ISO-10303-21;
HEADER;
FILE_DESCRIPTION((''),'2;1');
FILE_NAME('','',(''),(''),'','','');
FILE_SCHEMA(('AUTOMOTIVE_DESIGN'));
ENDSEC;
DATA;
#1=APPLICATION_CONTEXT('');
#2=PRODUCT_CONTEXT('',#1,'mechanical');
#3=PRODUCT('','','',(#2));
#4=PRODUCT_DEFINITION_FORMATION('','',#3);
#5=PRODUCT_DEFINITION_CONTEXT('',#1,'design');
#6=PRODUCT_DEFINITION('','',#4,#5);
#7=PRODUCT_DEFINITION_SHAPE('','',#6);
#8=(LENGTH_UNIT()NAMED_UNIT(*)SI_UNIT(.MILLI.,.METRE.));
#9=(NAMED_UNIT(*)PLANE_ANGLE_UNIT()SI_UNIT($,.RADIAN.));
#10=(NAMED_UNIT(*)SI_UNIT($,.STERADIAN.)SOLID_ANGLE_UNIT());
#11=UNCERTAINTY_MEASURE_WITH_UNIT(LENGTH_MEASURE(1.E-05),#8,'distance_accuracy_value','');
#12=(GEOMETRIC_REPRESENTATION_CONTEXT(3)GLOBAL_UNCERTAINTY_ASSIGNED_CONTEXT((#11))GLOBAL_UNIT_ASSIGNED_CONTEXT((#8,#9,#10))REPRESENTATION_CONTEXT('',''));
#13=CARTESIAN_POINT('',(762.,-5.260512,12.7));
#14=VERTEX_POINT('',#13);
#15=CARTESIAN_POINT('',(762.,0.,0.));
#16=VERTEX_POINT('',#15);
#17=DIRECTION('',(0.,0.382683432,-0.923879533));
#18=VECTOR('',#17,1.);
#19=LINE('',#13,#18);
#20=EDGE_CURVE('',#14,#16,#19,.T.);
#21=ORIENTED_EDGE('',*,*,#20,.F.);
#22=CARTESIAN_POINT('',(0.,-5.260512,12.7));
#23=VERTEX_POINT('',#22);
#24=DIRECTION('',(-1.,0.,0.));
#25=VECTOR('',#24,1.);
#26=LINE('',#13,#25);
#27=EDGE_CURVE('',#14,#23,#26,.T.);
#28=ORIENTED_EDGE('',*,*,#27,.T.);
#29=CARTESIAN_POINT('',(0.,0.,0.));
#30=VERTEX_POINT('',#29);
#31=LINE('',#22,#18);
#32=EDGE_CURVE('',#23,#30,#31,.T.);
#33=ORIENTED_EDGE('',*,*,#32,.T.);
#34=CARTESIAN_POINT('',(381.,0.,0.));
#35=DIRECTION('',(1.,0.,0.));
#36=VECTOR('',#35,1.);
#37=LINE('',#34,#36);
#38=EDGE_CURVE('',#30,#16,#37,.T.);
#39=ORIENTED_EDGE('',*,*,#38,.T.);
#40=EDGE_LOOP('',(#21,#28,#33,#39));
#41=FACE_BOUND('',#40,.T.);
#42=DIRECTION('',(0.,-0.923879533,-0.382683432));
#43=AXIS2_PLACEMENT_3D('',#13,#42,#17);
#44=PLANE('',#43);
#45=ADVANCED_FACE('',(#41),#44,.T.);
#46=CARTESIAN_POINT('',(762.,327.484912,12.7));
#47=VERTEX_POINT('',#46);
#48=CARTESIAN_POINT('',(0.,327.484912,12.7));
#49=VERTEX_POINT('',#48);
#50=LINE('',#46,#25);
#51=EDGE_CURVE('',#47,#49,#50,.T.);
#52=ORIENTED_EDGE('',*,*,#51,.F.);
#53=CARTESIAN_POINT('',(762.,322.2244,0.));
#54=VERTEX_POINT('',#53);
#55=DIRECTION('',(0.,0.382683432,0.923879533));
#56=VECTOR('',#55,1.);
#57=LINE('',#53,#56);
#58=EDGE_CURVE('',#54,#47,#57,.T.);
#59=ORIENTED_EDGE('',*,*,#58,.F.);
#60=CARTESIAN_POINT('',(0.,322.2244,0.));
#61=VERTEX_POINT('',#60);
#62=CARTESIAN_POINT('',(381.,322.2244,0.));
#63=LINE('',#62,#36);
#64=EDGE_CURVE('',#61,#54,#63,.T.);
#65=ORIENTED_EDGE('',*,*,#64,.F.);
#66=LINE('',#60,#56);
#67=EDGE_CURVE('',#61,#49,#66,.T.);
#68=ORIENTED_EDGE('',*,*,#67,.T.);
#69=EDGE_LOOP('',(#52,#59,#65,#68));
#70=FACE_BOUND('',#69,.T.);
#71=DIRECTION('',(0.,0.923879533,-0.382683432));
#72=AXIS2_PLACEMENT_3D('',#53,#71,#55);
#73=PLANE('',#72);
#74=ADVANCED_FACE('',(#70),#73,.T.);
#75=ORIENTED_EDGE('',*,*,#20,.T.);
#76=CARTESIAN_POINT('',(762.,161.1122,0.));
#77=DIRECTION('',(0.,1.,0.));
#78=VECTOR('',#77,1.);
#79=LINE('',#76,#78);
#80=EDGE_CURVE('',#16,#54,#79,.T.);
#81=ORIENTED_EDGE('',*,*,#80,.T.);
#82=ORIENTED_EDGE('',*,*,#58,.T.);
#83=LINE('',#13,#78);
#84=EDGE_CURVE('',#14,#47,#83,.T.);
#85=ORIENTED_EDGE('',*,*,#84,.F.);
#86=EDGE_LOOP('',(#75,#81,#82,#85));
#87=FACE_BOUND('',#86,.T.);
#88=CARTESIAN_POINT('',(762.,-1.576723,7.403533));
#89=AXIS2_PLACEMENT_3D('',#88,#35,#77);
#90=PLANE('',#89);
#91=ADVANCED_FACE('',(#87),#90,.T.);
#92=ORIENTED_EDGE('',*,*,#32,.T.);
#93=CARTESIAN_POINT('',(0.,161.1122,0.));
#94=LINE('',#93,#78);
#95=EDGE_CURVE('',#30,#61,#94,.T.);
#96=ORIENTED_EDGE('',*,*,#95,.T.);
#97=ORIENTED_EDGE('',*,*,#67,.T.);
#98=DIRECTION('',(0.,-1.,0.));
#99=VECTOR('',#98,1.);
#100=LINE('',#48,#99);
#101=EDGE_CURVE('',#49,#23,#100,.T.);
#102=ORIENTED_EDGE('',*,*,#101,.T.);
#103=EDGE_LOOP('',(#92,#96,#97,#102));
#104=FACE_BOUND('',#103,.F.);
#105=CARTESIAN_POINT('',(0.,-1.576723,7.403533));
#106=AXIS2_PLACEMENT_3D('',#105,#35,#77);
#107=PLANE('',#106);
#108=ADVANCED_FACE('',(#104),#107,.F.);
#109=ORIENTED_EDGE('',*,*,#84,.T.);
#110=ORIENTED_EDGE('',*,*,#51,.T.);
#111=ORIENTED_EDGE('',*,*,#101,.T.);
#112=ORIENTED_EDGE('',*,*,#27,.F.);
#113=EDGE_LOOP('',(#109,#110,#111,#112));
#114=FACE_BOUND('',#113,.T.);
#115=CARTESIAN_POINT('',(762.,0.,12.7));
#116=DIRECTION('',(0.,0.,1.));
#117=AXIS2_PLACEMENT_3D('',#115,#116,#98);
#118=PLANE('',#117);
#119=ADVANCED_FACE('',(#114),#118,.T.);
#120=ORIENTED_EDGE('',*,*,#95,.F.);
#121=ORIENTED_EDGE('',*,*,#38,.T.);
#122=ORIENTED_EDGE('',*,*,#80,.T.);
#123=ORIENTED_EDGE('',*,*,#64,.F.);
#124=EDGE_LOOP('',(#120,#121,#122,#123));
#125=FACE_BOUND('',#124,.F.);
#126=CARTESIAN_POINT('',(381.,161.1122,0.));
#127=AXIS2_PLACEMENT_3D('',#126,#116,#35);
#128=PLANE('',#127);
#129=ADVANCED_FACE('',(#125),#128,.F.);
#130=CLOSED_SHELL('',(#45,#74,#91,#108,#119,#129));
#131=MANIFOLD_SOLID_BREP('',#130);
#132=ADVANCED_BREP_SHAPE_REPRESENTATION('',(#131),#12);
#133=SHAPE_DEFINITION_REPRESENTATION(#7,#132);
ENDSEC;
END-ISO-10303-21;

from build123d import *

# Parameters (mm, degrees)
F0_W     = 762
F0_H     = 322.2244
F1_DEPTH = 12.7
F3_DEPTH = 762


with BuildPart() as f1:
    # F0 (on Top) → F1 (new body)
    with BuildSketch(Plane.XY):
        with Locations((381, 161.1122)):
            Rectangle(F0_W, F0_H)
    extrude(amount=F1_DEPTH)

    # F2 (on face) → F3 (join, through all)
    with BuildSketch(Plane.YZ.offset(762)):
        Polygon((-5.2605122421, 12.7), (0, 0), (0, 12.7), align=None)
        Polygon((322.2244, 12.7), (322.2244, 0), (327.4849122421, 12.7), align=None)
    extrude(amount=-F3_DEPTH)


solid = f1.part
